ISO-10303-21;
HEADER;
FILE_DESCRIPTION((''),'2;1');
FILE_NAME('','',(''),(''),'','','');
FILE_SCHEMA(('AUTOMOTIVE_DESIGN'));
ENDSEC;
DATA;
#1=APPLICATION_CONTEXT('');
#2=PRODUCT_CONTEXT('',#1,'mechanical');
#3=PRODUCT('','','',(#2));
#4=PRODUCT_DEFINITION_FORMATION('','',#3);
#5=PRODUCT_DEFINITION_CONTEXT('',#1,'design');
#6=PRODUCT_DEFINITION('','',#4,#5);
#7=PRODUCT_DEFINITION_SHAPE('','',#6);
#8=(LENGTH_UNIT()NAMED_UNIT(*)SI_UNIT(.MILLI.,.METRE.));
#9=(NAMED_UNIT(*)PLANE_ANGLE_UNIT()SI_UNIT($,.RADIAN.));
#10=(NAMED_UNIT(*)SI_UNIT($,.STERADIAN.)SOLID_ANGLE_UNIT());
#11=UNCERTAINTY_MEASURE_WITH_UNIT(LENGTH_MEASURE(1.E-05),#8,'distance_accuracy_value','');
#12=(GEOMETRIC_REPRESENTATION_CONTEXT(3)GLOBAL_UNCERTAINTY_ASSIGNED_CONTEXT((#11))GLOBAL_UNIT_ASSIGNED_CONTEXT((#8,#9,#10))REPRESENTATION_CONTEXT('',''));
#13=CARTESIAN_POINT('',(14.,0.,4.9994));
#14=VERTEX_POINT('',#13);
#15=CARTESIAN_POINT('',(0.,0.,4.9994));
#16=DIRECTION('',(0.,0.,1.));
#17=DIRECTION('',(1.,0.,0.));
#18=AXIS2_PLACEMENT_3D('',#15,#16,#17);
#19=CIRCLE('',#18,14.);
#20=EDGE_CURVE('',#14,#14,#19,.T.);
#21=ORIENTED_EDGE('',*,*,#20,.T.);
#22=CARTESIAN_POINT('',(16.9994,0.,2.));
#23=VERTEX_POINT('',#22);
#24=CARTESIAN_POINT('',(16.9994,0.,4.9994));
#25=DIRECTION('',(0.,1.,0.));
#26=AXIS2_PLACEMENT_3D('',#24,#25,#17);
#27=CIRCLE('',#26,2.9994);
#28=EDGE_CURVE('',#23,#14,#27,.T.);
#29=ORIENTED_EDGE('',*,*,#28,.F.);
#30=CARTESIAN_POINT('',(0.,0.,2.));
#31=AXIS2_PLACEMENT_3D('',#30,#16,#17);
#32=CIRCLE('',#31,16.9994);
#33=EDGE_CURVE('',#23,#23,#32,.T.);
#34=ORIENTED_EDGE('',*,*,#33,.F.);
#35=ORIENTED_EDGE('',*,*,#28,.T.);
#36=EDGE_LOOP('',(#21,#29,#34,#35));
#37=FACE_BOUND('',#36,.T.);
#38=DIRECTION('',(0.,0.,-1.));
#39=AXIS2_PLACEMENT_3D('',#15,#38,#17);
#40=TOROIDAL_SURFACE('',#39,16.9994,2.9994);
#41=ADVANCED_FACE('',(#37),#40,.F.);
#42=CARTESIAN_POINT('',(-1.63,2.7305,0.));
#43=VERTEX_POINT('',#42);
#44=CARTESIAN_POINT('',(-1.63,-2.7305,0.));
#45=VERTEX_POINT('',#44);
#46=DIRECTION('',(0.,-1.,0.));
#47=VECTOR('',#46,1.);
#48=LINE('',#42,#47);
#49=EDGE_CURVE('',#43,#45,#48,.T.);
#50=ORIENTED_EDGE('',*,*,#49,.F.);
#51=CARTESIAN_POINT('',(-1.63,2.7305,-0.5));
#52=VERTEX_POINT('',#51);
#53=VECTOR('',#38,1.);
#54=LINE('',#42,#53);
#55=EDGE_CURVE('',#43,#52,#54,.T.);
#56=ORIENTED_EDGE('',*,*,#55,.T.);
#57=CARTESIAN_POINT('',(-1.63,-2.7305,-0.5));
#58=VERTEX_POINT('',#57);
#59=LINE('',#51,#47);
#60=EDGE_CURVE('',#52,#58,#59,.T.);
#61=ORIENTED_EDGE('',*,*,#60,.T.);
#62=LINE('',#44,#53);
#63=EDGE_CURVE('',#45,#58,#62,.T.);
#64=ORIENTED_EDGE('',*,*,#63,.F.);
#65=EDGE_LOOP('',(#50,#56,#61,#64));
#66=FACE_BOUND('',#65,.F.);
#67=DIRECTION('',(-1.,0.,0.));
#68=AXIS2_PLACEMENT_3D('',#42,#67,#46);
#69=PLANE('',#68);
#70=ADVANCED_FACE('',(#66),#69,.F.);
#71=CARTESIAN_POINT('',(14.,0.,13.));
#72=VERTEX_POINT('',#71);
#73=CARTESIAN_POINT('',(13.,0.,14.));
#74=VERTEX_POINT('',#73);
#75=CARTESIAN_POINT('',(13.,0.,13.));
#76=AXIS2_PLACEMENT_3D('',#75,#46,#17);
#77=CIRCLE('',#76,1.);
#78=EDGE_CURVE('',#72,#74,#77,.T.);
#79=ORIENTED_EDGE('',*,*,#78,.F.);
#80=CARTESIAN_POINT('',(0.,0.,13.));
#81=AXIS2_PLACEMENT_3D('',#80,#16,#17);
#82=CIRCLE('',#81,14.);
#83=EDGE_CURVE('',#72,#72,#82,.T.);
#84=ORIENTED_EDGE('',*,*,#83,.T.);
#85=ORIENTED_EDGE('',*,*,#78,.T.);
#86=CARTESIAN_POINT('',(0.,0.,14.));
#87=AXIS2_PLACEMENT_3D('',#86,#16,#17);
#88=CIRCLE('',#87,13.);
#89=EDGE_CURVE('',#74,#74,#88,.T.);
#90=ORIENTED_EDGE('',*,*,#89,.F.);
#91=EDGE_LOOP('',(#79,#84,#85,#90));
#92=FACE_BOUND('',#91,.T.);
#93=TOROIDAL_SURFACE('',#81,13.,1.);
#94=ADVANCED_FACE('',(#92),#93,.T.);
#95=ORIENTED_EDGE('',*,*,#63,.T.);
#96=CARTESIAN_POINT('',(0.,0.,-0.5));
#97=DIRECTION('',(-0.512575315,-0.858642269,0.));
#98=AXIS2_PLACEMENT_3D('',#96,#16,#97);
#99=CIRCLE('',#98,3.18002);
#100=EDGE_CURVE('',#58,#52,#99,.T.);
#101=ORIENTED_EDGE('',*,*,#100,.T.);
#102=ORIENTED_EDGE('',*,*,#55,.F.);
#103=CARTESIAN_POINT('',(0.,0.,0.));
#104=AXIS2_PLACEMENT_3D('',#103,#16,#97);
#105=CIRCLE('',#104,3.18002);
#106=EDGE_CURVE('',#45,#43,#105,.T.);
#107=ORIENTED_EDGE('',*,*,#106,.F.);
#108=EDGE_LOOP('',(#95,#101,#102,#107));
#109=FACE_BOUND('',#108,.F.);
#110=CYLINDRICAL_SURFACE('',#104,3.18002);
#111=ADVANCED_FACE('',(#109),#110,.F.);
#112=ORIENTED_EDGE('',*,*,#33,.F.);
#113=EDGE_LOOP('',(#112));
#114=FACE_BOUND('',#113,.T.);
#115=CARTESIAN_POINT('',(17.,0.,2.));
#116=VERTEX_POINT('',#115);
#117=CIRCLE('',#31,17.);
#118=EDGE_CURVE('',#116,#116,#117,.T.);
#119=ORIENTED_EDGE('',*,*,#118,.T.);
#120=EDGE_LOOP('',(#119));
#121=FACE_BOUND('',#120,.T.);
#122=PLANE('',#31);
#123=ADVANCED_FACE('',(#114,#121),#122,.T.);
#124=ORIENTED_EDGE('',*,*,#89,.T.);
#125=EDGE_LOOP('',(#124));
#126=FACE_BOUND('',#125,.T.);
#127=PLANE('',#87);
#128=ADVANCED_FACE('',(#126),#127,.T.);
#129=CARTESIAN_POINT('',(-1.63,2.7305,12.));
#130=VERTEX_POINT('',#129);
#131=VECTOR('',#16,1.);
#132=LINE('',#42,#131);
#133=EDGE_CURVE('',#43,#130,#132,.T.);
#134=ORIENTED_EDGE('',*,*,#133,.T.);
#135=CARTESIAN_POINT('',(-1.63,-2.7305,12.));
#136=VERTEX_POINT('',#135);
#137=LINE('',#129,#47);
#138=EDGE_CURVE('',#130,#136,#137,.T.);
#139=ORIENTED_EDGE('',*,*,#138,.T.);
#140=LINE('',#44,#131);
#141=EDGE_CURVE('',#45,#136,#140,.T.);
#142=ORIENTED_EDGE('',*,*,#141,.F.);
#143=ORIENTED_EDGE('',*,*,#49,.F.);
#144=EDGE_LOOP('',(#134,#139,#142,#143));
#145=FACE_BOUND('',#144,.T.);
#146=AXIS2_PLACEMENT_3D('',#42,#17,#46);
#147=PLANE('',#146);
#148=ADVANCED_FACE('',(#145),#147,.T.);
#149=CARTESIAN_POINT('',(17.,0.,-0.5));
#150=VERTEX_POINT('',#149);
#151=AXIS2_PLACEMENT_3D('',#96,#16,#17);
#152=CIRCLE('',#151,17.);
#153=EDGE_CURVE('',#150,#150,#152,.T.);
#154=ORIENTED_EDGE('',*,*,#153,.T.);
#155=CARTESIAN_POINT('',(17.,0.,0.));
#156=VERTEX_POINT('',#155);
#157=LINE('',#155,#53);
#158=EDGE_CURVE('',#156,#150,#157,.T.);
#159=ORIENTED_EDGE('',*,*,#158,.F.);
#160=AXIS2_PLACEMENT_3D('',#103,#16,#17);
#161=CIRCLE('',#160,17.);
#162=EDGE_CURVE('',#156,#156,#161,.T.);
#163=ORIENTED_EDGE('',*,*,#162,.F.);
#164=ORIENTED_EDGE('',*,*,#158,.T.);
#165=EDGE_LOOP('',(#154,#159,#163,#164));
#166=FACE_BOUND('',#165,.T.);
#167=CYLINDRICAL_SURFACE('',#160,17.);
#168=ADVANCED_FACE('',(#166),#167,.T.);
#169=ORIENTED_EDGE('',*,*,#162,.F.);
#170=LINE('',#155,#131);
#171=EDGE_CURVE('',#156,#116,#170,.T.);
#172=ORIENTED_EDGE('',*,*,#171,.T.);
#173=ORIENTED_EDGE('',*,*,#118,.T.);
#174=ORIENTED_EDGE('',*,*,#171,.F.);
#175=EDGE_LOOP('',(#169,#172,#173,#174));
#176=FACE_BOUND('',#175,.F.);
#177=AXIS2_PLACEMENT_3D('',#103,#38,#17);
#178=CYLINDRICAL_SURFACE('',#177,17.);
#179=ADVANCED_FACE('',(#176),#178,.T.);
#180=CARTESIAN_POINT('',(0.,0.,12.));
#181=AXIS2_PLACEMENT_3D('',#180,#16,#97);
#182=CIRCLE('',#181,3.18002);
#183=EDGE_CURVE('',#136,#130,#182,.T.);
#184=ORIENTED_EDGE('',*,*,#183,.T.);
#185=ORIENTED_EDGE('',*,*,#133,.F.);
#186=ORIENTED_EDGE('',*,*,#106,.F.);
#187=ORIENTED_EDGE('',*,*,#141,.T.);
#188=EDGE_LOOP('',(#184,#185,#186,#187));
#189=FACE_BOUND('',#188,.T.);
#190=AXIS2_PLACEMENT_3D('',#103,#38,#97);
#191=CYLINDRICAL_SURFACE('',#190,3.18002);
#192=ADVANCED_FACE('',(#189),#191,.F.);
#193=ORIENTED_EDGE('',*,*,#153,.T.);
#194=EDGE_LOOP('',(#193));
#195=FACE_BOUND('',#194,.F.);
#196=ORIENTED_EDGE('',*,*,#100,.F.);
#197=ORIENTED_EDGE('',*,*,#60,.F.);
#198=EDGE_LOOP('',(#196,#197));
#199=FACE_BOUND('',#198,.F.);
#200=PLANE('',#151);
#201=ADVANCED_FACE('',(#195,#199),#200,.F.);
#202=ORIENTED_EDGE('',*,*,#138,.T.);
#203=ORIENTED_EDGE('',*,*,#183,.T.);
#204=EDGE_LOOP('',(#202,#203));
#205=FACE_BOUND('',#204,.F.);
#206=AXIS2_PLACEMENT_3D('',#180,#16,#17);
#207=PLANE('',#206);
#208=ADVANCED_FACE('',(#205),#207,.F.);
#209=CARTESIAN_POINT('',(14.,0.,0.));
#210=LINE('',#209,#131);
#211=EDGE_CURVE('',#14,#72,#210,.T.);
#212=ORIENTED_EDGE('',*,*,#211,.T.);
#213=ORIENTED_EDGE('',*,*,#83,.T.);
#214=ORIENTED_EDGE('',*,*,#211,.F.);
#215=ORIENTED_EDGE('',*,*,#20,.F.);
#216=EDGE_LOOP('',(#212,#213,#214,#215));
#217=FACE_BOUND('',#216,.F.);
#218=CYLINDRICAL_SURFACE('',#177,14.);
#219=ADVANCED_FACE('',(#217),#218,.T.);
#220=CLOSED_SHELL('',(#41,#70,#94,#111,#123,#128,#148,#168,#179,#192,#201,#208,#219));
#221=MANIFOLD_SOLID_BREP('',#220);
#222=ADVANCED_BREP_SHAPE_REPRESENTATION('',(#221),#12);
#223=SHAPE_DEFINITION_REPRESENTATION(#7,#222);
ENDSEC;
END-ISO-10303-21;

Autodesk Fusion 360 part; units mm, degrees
sketch "Sketch1" plane through (0, 0, 0) normal (0, 0, 1) x (1, 0, 0)
  line L0 (-1.45, 2.6263) -> (-1.45, -2.6263) construction
  arc A0 (-1.45, -2.6263) -> (-1.45, 2.6263) centre (0, 0) ccw construction
  arc A1 (-1.63, -2.7305) -> (-1.63, 2.7305) centre (0, 0) ccw
  line L1 (-1.63, 2.7305) -> (-1.63, -2.7305)
  circle A2 centre (0, 0) radius 17
  circle A3 centre (0, 0) radius 14
  dimension "d1" = 6
  dimension "d4" = 0.18
  dimension "d5" = 34
  dimension "d6" = 3
extrude "Extrude1" add sketch "Sketch1" along normal blind 14 contours A1 L1 | A3
extrude "Extrude2" add sketch "Sketch1" along normal blind 2 contours A2
extrude "Extrude3" cut sketch "Sketch1" along normal blind 12 contours A1 L1
fillet "Fillet1" radius 3 1 edges at (-13.0526, -5.0626, 2)
fillet "Fillet2" radius 1 1 edges at (-13.0526, -5.0626, 14)
extrude "Extrude4" add sketch "Sketch1" along normal blind 2 contours A2
extrude "Extrude5" add sketch "Sketch1" against normal blind 0.5 contours A2 | A3
equation "mountTol = 0.18 mm"
equation "d4 = mountTol"
